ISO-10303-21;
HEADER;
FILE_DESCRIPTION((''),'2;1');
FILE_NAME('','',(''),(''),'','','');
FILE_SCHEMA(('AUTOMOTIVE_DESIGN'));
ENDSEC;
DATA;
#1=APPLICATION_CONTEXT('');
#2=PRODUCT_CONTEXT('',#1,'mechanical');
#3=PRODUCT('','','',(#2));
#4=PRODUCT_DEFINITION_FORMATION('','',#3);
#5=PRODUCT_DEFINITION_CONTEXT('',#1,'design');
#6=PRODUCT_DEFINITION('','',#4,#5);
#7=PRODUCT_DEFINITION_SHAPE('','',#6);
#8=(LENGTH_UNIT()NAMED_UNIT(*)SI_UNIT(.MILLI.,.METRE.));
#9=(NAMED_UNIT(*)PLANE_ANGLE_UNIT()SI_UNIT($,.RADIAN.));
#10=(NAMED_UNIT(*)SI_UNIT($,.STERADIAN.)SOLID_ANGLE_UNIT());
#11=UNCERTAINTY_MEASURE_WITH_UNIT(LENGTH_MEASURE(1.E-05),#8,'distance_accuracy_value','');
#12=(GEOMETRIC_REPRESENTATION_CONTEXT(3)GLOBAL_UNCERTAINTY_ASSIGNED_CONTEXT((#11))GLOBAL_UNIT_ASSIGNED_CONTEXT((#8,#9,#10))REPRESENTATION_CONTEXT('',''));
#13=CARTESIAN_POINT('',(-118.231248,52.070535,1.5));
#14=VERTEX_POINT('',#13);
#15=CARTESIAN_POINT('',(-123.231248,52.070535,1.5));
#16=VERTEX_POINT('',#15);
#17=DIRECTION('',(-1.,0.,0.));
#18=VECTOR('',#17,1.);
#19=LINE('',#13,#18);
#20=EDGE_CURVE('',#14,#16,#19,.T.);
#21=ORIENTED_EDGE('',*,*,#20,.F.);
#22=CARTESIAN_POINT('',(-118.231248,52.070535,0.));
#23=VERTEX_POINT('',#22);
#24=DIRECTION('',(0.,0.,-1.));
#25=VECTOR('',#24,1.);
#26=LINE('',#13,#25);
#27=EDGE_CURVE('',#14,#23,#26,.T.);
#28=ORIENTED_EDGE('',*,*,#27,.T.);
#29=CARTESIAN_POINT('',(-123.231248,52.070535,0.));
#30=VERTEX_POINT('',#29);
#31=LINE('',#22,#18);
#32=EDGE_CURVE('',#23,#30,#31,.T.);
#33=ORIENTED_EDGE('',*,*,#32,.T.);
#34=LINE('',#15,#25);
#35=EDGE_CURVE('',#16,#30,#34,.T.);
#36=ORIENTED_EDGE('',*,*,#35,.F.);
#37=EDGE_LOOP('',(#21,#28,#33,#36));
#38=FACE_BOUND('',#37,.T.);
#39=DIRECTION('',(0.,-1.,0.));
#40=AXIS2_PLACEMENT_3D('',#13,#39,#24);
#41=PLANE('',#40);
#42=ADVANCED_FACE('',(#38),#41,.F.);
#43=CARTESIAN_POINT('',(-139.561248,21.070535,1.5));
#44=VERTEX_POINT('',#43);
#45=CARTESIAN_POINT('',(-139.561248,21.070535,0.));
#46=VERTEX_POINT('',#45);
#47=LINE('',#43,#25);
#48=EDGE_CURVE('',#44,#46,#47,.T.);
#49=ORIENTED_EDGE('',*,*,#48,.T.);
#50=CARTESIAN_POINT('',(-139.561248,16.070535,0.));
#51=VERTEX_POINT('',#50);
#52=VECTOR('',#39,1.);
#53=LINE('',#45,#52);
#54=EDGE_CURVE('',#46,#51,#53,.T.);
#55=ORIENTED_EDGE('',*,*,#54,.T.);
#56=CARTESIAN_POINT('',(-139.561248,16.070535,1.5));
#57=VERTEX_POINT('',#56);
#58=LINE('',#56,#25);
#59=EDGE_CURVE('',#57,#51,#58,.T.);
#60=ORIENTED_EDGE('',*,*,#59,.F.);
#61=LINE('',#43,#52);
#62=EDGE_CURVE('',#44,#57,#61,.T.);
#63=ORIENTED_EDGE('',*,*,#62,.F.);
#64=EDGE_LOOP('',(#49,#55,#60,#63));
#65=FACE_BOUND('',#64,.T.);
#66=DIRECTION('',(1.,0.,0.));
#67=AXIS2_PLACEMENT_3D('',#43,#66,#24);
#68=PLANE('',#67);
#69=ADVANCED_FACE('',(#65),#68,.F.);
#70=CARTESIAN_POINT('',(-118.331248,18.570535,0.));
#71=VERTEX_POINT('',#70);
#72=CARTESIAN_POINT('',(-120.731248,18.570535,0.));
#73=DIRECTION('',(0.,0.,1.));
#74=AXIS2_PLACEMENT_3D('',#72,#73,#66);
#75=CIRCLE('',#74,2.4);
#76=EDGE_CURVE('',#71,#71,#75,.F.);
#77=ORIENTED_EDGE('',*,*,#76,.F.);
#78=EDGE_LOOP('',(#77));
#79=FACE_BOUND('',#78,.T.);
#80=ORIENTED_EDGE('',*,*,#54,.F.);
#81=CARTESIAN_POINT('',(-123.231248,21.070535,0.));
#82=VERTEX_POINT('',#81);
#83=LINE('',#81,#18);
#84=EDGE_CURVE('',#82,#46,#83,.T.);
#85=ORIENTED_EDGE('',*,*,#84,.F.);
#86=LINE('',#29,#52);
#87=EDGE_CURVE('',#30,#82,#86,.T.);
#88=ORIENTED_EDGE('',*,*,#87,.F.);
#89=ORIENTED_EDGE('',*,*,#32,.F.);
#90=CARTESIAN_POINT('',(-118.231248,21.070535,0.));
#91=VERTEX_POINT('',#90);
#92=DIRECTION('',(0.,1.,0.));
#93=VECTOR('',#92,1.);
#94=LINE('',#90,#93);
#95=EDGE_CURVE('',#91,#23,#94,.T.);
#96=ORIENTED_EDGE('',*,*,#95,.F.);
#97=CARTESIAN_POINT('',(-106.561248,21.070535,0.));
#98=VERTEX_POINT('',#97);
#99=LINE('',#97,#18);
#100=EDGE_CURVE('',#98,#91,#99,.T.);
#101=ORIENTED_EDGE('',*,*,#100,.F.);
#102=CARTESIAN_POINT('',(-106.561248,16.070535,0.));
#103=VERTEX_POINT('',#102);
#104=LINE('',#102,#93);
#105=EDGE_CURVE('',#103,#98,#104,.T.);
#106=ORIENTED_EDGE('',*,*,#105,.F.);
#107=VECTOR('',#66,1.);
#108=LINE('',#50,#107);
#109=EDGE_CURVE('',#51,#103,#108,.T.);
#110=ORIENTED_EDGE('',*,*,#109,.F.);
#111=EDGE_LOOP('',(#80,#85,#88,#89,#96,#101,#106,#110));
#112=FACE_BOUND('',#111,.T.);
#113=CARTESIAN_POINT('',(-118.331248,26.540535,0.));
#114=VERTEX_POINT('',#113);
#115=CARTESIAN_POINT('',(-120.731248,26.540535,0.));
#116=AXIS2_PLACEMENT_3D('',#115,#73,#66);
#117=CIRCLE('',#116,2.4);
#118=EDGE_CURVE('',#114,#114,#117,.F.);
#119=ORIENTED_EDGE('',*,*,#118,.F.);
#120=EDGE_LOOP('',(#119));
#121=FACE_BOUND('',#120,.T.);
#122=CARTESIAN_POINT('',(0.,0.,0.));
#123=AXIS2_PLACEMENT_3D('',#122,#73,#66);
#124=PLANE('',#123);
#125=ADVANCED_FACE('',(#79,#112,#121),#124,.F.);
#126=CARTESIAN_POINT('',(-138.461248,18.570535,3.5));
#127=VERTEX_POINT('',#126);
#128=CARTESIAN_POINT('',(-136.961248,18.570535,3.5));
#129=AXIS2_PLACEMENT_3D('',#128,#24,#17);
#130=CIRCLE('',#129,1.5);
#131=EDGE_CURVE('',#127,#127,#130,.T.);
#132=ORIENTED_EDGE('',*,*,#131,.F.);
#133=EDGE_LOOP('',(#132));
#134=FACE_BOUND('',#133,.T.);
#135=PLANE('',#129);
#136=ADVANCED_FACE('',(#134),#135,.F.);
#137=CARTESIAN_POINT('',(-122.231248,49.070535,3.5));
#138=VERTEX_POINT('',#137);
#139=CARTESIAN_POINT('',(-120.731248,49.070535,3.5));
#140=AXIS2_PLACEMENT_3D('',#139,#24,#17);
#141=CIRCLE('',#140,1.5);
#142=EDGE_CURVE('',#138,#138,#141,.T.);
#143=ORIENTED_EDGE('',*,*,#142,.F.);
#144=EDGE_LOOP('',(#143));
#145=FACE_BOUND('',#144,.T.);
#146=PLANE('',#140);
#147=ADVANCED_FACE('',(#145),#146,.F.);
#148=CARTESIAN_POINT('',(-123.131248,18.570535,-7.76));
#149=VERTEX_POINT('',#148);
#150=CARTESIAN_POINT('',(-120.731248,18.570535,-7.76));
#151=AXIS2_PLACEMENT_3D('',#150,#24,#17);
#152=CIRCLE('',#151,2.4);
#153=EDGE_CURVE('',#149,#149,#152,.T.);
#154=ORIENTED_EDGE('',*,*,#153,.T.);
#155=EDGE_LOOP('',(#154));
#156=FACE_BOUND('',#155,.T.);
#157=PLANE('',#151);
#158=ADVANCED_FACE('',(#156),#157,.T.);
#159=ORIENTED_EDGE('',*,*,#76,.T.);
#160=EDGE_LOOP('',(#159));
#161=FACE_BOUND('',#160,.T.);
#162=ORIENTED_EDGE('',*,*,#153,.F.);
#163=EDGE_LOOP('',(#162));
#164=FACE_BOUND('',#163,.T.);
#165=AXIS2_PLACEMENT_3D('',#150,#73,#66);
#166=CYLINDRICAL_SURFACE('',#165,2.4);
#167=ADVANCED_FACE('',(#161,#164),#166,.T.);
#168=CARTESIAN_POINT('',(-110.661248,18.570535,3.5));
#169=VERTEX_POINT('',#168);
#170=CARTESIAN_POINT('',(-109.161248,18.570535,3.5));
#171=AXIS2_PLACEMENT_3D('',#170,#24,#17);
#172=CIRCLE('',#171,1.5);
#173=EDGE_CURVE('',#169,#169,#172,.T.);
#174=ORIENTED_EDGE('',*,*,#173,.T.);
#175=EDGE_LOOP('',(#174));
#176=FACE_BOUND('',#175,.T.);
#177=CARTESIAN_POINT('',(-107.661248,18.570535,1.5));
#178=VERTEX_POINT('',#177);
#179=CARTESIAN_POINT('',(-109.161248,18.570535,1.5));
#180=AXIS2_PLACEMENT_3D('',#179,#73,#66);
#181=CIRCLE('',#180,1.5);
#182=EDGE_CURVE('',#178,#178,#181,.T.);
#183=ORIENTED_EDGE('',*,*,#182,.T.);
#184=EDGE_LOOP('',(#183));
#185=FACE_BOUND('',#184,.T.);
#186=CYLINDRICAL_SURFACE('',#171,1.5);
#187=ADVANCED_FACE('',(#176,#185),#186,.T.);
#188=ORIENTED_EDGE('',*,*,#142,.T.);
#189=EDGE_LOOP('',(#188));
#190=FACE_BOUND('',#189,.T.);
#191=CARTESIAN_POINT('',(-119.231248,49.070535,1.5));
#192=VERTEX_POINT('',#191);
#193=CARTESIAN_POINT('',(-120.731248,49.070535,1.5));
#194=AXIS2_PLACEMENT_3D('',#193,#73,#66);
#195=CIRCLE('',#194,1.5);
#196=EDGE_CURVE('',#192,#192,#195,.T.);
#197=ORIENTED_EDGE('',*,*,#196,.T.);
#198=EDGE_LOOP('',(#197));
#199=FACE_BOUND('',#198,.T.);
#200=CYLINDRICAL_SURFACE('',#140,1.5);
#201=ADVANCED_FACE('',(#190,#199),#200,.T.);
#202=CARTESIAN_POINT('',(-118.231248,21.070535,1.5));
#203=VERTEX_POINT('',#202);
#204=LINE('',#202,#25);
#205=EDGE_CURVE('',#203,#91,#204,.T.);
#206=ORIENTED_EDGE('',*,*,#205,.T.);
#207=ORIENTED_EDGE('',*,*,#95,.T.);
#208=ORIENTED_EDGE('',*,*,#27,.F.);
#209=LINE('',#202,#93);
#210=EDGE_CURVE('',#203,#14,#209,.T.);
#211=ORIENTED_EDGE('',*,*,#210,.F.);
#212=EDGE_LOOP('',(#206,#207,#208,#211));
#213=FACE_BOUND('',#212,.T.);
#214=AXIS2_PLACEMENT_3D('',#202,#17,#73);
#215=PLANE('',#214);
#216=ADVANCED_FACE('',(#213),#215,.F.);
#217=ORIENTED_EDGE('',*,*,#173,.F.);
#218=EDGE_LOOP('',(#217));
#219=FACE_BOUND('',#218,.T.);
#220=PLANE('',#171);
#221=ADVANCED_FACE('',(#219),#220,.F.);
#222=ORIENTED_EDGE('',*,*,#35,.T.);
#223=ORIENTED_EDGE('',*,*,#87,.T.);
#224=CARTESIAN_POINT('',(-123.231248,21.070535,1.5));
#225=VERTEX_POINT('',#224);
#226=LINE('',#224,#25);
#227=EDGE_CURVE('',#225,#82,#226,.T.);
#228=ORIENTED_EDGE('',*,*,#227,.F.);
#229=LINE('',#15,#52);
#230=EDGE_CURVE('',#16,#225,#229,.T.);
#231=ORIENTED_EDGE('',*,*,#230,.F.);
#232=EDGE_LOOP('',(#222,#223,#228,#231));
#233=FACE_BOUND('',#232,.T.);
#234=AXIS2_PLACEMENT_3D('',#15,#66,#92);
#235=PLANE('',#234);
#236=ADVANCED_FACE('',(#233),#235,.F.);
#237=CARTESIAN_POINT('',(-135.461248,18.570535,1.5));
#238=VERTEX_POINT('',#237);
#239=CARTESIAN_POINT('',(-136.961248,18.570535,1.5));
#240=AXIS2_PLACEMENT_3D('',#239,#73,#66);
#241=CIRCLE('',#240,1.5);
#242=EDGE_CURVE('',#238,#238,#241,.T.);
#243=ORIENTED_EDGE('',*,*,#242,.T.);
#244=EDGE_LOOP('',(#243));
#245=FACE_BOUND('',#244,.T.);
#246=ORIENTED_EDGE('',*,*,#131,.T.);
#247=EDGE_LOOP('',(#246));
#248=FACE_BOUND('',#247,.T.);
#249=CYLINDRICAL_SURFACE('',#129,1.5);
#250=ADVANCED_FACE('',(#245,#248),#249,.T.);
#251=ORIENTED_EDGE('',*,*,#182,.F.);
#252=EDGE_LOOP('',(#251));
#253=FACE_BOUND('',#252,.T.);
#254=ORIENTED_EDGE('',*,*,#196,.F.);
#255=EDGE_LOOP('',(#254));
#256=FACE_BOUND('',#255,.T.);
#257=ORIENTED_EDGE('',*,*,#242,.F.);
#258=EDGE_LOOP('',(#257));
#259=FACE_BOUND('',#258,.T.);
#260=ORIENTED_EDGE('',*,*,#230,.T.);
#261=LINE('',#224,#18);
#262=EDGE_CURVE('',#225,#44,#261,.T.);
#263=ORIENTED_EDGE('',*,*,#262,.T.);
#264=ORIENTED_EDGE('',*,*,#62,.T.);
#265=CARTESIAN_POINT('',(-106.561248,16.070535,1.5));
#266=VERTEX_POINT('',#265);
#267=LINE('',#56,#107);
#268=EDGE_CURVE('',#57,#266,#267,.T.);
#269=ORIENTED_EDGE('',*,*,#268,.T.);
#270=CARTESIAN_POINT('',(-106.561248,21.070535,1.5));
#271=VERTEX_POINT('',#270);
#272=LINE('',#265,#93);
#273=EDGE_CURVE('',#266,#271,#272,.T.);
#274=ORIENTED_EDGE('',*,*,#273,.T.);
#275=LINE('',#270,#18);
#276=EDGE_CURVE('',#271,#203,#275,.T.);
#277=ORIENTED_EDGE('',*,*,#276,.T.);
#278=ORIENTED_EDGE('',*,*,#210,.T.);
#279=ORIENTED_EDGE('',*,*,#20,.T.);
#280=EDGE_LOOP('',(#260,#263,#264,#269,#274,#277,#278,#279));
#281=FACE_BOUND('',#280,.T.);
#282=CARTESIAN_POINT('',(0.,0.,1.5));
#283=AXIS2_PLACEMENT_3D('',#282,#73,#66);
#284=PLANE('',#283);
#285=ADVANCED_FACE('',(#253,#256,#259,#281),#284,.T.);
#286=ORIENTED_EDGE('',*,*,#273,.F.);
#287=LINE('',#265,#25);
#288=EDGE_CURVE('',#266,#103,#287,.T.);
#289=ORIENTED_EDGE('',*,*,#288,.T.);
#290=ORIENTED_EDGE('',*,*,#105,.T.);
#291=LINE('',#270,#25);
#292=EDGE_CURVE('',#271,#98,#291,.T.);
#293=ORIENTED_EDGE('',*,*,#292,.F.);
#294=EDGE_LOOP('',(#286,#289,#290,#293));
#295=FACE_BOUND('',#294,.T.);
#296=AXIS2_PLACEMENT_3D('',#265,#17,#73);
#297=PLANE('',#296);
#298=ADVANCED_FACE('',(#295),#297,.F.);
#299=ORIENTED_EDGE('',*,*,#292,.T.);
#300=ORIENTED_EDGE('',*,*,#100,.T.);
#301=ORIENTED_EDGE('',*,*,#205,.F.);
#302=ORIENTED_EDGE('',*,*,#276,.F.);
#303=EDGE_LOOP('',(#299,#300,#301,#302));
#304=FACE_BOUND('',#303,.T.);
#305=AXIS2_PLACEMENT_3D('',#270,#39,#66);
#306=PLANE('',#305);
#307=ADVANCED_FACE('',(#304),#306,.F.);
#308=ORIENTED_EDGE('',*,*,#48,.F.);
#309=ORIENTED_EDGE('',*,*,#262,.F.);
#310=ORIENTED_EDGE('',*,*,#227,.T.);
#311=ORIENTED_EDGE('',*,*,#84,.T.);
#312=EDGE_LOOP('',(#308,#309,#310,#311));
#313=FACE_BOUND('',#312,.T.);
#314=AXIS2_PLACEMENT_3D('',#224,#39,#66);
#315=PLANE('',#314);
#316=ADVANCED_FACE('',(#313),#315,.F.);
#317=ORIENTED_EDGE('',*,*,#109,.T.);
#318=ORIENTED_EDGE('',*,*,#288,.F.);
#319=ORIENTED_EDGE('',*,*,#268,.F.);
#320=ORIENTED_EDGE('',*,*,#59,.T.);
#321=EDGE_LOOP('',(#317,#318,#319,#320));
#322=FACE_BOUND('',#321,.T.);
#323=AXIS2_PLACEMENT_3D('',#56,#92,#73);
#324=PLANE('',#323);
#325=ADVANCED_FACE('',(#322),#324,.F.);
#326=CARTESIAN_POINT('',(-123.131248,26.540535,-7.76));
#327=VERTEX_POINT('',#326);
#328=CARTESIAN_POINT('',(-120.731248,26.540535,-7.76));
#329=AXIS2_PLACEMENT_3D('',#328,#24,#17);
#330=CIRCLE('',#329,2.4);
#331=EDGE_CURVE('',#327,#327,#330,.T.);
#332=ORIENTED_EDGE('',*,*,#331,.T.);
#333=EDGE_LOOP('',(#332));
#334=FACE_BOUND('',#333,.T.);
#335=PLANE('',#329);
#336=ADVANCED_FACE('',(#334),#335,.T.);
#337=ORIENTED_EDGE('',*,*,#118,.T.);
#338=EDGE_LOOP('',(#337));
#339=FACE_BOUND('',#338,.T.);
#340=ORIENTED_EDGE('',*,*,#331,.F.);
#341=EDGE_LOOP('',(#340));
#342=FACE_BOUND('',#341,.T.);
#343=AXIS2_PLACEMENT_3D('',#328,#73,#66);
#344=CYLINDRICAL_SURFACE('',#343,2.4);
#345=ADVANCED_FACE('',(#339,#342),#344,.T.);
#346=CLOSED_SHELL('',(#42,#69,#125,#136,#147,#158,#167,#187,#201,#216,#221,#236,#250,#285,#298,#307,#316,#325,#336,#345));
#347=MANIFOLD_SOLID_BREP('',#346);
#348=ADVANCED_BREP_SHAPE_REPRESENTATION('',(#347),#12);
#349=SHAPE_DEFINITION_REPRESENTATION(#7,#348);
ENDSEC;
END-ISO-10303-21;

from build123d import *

# Parameters (mm, degrees)
BOSS_EXTRUDE2_DEPTH = 1.5
SKETCH5_R           = 1.5
BOSS_EXTRUDE5_DEPTH = 3.5
SKETCH6_R           = 2.4
BOSS_EXTRUDE6_DEPTH = 7.76


with BuildPart() as part:
    # Sketch4 → Boss-Extrude2 (new body)
    with BuildSketch(Plane.XY):
        Polygon((-139.561248012, 16.070535031), (-106.561248012, 16.070535031), (-106.561248012, 21.070535031), (-118.231248012, 21.070535031), (-118.231248012, 52.070535031), (-123.231248012, 52.070535031), (-123.231248012, 21.070535031), (-139.561248012, 21.070535031), align=None)
    extrude(amount=BOSS_EXTRUDE2_DEPTH)

    # Sketch5 → Boss-Extrude5 (add)
    with BuildSketch(Plane(origin=(0, 0, 0), x_dir=(-1, 0, 0), z_dir=(0, 0, -1))):
        with Locations((136.961248012, 18.570535031)):
            Circle(SKETCH5_R)
        with Locations((109.161248012, 18.570535031)):
            Circle(SKETCH5_R)
        with Locations((120.731248012, 49.070535031)):
            Circle(SKETCH5_R)
    extrude(amount=-BOSS_EXTRUDE5_DEPTH)

    # Sketch6 → Boss-Extrude6 (add)
    with BuildSketch(Plane(origin=(0, 0, 0), x_dir=(-1, 0, 0), z_dir=(0, 0, -1))):
        with Locations((120.731248012, 18.570535031)):
            Circle(SKETCH6_R)
        with Locations((120.731248012, 26.540535031)):
            Circle(SKETCH6_R)
    extrude(amount=BOSS_EXTRUDE6_DEPTH)


solid = part.part
